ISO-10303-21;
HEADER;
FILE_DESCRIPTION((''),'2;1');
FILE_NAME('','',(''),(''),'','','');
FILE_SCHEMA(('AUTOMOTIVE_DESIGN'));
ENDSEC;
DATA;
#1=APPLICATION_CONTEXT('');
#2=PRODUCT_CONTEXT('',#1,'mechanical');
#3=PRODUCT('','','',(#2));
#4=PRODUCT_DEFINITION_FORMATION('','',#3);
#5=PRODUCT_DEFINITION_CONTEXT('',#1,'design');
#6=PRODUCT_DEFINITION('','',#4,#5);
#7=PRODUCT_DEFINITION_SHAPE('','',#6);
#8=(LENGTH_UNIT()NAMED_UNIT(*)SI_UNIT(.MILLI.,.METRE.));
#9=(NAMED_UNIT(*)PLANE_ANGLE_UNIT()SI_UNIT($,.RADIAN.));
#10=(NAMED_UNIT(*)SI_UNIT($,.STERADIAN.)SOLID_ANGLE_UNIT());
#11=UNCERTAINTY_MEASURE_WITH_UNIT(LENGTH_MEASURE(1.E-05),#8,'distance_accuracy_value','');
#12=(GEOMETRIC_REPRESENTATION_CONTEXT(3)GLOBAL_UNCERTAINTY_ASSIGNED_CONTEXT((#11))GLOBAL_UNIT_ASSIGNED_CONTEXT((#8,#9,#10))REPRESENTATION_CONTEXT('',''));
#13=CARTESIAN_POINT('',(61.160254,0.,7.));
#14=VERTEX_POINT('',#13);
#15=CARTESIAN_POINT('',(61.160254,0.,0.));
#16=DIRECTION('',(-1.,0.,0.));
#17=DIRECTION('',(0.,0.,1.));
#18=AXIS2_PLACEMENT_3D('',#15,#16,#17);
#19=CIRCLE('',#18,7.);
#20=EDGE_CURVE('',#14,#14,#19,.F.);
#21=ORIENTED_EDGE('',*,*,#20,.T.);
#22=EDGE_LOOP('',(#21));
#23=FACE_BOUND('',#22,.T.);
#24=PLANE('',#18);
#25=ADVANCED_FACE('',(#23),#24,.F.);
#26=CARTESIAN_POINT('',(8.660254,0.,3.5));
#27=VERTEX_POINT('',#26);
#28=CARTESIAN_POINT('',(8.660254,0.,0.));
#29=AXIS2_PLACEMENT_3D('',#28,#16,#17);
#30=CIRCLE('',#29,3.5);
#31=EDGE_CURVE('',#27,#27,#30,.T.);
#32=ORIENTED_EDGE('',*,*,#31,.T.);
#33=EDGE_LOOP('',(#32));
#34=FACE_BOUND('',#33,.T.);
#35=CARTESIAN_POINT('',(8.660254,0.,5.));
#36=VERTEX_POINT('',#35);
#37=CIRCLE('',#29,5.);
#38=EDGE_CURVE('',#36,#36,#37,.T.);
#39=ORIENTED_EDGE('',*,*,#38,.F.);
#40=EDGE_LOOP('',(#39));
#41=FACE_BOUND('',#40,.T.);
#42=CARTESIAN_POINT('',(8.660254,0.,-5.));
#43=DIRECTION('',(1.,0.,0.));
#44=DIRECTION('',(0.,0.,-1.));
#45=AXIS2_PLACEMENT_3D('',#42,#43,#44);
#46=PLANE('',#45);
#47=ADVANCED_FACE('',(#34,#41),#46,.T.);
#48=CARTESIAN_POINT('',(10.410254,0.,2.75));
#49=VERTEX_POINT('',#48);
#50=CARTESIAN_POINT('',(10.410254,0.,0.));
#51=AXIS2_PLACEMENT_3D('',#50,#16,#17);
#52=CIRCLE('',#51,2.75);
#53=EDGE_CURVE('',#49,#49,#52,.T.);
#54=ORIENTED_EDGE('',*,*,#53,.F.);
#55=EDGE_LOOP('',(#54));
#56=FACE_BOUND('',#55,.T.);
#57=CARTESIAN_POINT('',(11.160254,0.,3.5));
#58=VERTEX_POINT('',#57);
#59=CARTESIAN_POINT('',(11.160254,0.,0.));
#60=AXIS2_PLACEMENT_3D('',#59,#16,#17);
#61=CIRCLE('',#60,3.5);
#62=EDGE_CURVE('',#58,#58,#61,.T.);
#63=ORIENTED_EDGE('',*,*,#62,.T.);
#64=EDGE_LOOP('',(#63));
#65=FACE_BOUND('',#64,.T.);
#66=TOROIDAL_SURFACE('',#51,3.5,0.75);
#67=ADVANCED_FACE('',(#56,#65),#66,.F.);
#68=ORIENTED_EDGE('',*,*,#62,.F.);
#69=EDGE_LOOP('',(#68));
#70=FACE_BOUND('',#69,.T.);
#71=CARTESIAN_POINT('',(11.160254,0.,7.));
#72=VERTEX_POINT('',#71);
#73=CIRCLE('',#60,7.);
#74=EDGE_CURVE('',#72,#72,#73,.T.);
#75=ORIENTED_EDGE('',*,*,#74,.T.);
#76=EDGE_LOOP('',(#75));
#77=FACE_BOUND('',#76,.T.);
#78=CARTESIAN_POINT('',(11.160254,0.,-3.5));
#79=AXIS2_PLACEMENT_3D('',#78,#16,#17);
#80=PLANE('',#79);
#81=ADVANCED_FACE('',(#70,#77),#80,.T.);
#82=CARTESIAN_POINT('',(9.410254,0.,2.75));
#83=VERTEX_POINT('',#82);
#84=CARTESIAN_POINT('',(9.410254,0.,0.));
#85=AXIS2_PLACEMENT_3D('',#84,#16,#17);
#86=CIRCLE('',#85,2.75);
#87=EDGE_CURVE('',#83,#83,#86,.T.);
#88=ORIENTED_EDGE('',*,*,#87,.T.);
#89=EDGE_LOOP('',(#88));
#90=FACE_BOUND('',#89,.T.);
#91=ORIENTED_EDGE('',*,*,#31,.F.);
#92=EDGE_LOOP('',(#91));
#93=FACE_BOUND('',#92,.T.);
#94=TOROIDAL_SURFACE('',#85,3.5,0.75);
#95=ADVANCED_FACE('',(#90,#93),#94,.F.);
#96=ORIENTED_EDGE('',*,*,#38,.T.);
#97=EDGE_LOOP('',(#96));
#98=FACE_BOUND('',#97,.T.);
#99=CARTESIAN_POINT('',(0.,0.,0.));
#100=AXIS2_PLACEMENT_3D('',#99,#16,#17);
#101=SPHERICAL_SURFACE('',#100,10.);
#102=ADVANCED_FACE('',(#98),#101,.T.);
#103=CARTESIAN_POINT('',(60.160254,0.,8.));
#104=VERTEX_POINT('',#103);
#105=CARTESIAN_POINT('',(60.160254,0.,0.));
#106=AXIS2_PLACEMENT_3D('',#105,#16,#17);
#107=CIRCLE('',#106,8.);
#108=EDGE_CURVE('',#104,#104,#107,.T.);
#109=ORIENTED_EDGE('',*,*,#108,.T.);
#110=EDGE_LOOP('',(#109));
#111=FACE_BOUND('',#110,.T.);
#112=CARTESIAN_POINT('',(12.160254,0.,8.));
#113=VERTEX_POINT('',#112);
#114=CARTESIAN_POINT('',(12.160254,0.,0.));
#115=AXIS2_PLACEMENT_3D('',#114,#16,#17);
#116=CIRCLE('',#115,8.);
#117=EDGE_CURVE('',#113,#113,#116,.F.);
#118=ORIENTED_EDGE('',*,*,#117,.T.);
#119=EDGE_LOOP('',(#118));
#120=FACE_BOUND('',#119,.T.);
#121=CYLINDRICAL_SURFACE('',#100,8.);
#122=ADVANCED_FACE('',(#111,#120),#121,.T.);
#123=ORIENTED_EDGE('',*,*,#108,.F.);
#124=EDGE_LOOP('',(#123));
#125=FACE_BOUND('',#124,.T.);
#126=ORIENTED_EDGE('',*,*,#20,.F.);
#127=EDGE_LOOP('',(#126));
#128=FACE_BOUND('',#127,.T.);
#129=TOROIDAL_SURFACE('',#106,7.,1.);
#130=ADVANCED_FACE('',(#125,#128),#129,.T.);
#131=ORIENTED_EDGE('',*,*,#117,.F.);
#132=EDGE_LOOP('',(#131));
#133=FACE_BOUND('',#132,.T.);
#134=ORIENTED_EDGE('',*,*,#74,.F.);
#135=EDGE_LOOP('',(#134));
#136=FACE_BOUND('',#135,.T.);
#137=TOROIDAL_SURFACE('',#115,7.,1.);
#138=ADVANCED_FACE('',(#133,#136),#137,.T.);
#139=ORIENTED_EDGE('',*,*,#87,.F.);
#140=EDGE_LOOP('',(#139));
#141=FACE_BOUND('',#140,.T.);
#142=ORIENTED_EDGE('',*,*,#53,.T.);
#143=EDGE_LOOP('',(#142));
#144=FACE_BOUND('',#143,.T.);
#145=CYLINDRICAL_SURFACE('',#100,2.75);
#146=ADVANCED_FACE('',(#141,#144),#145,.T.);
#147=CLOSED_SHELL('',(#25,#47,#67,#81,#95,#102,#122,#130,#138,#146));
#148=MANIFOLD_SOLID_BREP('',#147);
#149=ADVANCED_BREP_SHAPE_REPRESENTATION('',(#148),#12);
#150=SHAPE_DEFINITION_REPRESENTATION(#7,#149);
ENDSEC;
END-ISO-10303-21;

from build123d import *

# Parameters (mm, degrees)
FILLET1_R = 1


with BuildPart() as part:
    # Sketch1 → Revolve1 (revolve)
    with BuildSketch(Plane(origin=(0, 0, 0), x_dir=(1, 0, 0), z_dir=(0, 1, 0)), mode=Mode.PRIVATE) as revolve1_sk:
        with BuildLine():
            Line((0, 0), (61.160254038, 0))
            Line((61.160254038, 0), (61.160254038, 8))
            Line((61.160254038, 8), (11.160254038, 8))
            Line((11.160254038, 8), (11.160254038, 3.5))
            ThreePointArc((11.160254038, 3.5), (10.940584124, 2.969669914), (10.410254038, 2.75))
            Line((10.410254038, 2.75), (9.410254038, 2.75))
            ThreePointArc((9.410254038, 2.75), (8.879923952, 2.969669914), (8.660254038, 3.5))
            Line((8.660254038, 3.5), (8.660254038, 5))
            ThreePointArc((8.660254038, 5), (-2.588190451, 9.659258263), (-10, 0))
            Line((-10, 0), (0, 0))
        make_face()
    revolve(revolve1_sk.sketch.rotate(Axis((0, 0, 0), (1, 0, 0)), 180), axis=Axis((0, 0, 0), (1, 0, 0)))

    # Fillet1
    fillet1_edges = [part.edges().sort_by_distance(p)[0] for p in [
        (61.160254038, 0, -8),
        (11.160254038, 0, -8),
    ]]
    fillet(fillet1_edges, radius=FILLET1_R)


solid = part.part
